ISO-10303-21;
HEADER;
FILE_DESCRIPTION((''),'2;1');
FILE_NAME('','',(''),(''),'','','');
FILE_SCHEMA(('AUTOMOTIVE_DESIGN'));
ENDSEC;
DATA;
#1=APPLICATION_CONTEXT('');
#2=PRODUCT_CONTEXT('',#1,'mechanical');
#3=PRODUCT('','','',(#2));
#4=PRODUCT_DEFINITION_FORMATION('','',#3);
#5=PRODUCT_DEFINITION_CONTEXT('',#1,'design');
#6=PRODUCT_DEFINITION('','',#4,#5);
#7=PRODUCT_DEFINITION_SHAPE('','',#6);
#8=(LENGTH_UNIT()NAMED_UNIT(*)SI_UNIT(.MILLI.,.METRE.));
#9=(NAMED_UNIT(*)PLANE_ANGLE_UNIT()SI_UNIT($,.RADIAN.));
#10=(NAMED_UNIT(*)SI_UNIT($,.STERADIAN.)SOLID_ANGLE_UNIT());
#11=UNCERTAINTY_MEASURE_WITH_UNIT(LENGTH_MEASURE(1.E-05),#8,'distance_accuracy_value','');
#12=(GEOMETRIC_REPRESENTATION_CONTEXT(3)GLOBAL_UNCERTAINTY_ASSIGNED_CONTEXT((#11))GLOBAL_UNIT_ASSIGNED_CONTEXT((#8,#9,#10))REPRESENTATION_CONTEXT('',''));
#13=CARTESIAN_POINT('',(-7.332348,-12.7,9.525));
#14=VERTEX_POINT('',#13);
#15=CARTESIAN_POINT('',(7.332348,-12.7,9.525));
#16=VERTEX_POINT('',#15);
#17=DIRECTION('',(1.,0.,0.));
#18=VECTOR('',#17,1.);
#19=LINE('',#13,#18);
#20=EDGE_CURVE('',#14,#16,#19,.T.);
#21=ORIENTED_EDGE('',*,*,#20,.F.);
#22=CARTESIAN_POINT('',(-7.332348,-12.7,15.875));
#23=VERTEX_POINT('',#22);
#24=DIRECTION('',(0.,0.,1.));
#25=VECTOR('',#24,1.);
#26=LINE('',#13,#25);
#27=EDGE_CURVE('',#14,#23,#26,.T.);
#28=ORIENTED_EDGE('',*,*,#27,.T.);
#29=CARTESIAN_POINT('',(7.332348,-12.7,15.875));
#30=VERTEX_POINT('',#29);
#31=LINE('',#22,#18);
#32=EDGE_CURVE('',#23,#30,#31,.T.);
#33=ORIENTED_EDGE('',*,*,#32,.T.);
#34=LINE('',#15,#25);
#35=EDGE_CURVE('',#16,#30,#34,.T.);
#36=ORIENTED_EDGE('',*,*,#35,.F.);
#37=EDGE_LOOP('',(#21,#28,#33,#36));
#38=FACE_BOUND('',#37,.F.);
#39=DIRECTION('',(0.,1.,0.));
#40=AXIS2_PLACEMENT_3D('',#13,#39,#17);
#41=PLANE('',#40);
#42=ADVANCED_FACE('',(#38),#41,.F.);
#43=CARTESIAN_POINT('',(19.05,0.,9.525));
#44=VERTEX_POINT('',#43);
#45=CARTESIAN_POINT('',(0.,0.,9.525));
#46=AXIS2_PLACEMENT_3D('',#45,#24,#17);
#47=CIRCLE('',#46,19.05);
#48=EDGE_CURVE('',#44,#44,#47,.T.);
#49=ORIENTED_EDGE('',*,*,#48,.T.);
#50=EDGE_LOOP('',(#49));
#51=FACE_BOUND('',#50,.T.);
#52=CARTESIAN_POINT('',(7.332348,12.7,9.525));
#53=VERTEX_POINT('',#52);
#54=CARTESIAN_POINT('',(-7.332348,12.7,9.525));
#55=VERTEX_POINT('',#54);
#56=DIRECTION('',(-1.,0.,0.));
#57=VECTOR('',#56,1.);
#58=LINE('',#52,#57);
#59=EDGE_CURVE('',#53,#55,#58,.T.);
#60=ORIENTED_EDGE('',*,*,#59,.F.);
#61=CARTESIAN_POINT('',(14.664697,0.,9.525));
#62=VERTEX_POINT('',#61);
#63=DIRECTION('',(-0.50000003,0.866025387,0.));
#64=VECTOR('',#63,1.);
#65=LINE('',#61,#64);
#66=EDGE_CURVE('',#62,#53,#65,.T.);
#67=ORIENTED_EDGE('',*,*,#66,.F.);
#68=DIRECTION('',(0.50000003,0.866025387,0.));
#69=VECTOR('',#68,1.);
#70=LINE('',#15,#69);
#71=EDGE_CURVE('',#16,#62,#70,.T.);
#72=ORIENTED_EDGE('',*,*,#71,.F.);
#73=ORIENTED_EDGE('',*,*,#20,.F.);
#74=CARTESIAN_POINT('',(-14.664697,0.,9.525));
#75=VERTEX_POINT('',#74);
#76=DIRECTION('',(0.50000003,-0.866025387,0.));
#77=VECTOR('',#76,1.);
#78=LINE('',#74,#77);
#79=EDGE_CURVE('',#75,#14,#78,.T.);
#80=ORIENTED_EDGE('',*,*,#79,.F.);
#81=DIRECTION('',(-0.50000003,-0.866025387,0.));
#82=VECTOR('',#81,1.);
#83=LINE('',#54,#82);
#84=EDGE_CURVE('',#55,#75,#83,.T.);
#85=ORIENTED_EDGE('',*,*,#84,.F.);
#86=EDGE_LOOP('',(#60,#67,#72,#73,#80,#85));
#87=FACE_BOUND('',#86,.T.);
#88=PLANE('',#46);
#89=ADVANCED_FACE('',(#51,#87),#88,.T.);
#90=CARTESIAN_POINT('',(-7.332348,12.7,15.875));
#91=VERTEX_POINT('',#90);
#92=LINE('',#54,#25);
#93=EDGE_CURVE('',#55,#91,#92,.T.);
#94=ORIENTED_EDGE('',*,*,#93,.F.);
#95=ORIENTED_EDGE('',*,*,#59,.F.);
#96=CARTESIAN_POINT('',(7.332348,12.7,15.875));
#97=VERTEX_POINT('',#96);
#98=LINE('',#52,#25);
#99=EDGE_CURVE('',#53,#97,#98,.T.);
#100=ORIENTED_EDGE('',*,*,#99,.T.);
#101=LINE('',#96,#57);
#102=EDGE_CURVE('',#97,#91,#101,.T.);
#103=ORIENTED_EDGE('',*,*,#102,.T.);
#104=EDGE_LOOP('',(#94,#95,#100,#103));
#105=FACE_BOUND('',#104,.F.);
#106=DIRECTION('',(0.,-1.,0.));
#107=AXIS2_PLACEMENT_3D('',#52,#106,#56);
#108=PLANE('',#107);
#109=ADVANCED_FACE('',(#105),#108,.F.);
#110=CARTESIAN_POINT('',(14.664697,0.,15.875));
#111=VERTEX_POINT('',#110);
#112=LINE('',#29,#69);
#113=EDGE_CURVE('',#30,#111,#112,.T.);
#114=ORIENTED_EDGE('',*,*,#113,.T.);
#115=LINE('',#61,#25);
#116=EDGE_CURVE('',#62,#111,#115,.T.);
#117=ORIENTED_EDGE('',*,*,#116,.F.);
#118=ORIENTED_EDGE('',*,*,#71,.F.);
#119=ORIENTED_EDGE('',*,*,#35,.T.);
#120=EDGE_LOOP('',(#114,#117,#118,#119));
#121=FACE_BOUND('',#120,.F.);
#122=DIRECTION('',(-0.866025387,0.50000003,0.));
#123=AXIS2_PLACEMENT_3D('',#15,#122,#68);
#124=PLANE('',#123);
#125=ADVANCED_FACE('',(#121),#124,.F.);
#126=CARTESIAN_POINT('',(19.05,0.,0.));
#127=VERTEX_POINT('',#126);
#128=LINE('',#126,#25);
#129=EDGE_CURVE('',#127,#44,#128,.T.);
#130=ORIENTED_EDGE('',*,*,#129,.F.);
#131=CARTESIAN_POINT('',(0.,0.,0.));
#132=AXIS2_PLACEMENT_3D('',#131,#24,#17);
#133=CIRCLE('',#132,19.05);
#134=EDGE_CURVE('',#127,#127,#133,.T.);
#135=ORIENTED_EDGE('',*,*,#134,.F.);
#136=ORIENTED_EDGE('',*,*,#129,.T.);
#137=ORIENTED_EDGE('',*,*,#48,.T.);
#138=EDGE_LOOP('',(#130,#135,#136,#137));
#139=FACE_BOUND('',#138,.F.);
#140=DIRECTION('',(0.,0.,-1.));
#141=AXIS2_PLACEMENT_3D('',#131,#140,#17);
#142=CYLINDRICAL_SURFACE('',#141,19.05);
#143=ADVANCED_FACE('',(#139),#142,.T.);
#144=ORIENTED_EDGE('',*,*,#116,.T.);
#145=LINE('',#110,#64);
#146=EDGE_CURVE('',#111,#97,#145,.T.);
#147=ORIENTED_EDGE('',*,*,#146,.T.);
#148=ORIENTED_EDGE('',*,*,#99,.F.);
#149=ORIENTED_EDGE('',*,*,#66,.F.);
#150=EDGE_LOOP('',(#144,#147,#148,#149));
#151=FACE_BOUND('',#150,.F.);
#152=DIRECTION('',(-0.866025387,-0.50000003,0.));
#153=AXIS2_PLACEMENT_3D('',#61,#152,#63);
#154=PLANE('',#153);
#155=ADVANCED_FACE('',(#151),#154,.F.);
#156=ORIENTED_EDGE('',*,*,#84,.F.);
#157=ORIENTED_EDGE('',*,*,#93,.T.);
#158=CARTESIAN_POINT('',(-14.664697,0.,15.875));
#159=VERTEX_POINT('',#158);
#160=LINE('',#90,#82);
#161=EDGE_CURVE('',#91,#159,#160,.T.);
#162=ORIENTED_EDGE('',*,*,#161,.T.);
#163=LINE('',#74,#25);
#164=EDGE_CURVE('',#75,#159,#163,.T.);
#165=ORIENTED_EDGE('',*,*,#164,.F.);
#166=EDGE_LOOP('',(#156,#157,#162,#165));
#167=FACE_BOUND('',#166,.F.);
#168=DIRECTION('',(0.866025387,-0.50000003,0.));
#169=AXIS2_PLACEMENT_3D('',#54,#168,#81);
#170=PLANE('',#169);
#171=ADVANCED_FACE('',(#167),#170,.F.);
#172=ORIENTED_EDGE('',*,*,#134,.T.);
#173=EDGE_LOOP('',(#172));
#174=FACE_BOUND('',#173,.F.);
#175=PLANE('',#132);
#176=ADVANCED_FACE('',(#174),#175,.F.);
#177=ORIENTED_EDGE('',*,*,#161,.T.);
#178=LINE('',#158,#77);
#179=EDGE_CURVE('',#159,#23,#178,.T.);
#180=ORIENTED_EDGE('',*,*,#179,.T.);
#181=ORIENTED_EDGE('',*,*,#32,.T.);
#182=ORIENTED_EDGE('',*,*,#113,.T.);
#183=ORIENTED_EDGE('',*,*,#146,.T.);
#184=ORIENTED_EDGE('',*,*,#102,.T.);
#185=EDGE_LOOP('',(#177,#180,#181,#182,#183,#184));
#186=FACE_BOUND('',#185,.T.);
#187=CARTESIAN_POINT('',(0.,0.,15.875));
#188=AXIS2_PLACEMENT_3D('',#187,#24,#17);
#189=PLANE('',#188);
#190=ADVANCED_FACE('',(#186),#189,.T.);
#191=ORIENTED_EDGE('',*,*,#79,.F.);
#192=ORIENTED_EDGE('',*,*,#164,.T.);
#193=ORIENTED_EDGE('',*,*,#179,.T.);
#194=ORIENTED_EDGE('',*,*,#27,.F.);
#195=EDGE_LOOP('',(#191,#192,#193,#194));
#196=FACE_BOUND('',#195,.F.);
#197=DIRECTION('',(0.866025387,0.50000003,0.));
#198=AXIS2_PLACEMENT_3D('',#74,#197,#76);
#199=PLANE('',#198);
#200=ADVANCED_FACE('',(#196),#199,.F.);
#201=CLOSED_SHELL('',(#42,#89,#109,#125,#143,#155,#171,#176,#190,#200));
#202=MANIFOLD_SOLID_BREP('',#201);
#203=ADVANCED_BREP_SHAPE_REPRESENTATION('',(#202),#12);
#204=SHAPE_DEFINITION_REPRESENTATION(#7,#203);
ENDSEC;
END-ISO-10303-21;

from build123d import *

# Parameters (mm, degrees)
F0_R     = 19.05
F1_DEPTH = 9.525
F3_DEPTH = 6.35


with BuildPart() as f1:
    # F0 (on Top) → F1 (new body)
    with BuildSketch(Plane.XY):
        Circle(F0_R)
    extrude(amount=F1_DEPTH)

    # F2 (on face) → F3 (join)
    with BuildSketch(Plane.XY.offset(9.525)):
        Polygon((7.332348, 12.7), (-7.332348, 12.7), (-14.664697, 0), (-7.332348, -12.7), (7.332348, -12.7), (14.664697, 0), align=None)
    extrude(amount=F3_DEPTH)


solid = f1.part
